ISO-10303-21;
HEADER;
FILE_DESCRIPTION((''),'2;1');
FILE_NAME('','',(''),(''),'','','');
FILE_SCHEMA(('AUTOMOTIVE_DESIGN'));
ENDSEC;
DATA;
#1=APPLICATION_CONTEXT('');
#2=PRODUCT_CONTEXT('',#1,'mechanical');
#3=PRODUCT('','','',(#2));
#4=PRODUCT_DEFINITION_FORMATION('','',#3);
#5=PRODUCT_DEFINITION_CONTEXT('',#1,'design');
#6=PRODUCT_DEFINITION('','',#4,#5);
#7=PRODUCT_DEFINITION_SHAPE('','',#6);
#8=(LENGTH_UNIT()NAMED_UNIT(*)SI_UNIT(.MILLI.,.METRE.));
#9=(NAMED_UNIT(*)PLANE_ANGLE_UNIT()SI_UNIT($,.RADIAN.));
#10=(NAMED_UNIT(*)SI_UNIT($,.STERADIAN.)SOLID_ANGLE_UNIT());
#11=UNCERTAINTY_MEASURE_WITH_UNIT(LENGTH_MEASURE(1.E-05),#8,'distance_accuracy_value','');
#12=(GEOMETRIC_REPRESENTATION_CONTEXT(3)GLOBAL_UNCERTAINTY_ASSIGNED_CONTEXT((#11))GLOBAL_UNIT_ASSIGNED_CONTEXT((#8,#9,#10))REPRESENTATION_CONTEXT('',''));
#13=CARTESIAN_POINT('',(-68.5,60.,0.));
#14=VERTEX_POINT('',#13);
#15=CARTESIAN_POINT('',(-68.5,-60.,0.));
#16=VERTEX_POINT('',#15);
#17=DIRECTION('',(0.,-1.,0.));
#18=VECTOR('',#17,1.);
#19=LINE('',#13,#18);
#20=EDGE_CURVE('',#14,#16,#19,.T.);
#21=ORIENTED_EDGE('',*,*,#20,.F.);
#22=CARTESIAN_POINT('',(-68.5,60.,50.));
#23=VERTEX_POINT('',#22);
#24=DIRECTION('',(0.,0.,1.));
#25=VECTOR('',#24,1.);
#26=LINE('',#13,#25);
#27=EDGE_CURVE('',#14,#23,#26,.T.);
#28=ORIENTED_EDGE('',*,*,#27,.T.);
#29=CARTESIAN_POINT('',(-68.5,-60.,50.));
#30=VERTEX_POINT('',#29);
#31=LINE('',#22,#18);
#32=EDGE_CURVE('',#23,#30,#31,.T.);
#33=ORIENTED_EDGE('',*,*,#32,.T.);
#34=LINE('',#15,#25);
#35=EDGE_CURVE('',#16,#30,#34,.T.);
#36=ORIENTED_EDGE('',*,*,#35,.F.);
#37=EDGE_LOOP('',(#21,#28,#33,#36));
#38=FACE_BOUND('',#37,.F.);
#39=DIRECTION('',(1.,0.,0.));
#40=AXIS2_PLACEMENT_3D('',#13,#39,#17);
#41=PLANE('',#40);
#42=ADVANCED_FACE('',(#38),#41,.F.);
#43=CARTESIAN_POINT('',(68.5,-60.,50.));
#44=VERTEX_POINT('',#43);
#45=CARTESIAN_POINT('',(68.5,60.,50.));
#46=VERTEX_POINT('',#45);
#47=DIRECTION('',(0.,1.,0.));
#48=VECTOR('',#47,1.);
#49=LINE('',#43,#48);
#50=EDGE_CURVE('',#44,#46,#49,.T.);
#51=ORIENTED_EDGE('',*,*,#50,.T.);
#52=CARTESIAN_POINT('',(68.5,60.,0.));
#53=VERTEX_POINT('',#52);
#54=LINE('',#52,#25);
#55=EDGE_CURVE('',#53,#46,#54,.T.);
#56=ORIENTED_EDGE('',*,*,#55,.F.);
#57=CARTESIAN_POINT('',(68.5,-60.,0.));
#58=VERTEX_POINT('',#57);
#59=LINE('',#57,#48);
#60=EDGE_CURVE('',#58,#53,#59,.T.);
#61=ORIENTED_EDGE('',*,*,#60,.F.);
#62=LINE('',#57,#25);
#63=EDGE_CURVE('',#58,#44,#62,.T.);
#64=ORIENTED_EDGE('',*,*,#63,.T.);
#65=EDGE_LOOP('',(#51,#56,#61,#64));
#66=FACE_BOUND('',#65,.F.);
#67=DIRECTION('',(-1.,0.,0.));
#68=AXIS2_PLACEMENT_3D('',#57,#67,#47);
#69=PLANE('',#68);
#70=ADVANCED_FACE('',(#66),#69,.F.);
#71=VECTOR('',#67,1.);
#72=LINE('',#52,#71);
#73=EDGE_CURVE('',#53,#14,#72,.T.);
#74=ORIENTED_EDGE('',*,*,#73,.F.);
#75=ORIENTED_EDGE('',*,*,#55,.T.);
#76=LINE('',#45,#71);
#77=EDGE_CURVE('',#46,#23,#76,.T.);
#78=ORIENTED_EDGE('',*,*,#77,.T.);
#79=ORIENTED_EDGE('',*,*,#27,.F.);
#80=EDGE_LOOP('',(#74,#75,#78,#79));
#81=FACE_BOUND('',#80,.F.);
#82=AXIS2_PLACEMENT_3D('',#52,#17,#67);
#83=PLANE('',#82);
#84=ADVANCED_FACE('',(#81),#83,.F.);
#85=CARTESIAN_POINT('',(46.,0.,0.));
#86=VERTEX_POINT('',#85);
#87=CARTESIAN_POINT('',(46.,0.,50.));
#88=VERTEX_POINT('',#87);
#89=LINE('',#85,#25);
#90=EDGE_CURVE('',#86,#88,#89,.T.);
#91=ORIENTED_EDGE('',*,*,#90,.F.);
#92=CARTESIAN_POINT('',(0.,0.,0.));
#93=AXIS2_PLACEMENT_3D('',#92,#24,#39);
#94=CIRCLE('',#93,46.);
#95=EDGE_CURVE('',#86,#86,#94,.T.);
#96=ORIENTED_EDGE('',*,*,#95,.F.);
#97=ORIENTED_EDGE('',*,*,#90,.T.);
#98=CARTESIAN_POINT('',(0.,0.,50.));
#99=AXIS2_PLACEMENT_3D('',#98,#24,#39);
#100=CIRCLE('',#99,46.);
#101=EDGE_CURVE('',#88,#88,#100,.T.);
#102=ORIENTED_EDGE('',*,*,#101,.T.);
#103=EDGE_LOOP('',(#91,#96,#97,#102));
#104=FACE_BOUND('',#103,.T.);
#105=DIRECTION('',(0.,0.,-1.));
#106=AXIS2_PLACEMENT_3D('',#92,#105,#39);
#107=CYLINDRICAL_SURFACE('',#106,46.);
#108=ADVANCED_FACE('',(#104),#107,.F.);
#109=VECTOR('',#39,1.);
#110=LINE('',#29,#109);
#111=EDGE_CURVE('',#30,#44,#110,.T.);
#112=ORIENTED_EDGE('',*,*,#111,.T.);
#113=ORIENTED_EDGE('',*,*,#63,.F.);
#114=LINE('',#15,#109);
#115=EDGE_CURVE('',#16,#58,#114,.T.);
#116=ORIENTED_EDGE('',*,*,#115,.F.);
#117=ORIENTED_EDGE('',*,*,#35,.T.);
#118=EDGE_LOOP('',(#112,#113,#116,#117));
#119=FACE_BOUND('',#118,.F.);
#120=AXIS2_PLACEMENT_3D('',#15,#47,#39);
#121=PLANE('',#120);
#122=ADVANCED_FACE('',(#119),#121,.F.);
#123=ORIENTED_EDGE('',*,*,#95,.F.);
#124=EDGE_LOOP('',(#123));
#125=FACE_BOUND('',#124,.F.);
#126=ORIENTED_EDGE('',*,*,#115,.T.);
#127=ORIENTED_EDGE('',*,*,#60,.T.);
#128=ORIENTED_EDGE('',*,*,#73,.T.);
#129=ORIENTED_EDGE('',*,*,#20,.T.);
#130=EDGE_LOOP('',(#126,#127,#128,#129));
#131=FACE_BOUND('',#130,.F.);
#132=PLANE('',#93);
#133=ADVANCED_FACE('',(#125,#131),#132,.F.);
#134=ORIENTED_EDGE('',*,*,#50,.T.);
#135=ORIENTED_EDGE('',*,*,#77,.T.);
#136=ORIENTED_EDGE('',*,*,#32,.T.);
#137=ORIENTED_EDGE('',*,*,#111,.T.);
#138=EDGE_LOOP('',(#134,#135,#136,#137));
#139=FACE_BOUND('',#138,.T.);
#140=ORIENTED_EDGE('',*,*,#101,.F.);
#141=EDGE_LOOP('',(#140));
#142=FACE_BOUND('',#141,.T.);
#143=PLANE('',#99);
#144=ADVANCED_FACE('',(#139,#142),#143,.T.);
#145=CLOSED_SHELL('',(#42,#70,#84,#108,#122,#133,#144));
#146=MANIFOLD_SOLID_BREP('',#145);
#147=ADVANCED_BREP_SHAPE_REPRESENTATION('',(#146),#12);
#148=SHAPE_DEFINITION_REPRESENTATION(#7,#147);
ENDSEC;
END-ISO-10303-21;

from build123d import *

# Parameters (mm, degrees)
F0_R     = 46
F1_DEPTH = 50


with BuildPart() as f1:
    # F0 (on Top) → F1 (new body)
    with BuildSketch(Plane.XY):
        Circle(F0_R)
        Polygon((68.5, -60), (68.5, 0), (68.5, 60), (0, 60), (-68.5, 60), (-68.5, 0), (-68.5, -60), (0, -60), align=None)
        Circle(F0_R, mode=Mode.SUBTRACT)
    extrude(amount=F1_DEPTH)


solid = f1.part
